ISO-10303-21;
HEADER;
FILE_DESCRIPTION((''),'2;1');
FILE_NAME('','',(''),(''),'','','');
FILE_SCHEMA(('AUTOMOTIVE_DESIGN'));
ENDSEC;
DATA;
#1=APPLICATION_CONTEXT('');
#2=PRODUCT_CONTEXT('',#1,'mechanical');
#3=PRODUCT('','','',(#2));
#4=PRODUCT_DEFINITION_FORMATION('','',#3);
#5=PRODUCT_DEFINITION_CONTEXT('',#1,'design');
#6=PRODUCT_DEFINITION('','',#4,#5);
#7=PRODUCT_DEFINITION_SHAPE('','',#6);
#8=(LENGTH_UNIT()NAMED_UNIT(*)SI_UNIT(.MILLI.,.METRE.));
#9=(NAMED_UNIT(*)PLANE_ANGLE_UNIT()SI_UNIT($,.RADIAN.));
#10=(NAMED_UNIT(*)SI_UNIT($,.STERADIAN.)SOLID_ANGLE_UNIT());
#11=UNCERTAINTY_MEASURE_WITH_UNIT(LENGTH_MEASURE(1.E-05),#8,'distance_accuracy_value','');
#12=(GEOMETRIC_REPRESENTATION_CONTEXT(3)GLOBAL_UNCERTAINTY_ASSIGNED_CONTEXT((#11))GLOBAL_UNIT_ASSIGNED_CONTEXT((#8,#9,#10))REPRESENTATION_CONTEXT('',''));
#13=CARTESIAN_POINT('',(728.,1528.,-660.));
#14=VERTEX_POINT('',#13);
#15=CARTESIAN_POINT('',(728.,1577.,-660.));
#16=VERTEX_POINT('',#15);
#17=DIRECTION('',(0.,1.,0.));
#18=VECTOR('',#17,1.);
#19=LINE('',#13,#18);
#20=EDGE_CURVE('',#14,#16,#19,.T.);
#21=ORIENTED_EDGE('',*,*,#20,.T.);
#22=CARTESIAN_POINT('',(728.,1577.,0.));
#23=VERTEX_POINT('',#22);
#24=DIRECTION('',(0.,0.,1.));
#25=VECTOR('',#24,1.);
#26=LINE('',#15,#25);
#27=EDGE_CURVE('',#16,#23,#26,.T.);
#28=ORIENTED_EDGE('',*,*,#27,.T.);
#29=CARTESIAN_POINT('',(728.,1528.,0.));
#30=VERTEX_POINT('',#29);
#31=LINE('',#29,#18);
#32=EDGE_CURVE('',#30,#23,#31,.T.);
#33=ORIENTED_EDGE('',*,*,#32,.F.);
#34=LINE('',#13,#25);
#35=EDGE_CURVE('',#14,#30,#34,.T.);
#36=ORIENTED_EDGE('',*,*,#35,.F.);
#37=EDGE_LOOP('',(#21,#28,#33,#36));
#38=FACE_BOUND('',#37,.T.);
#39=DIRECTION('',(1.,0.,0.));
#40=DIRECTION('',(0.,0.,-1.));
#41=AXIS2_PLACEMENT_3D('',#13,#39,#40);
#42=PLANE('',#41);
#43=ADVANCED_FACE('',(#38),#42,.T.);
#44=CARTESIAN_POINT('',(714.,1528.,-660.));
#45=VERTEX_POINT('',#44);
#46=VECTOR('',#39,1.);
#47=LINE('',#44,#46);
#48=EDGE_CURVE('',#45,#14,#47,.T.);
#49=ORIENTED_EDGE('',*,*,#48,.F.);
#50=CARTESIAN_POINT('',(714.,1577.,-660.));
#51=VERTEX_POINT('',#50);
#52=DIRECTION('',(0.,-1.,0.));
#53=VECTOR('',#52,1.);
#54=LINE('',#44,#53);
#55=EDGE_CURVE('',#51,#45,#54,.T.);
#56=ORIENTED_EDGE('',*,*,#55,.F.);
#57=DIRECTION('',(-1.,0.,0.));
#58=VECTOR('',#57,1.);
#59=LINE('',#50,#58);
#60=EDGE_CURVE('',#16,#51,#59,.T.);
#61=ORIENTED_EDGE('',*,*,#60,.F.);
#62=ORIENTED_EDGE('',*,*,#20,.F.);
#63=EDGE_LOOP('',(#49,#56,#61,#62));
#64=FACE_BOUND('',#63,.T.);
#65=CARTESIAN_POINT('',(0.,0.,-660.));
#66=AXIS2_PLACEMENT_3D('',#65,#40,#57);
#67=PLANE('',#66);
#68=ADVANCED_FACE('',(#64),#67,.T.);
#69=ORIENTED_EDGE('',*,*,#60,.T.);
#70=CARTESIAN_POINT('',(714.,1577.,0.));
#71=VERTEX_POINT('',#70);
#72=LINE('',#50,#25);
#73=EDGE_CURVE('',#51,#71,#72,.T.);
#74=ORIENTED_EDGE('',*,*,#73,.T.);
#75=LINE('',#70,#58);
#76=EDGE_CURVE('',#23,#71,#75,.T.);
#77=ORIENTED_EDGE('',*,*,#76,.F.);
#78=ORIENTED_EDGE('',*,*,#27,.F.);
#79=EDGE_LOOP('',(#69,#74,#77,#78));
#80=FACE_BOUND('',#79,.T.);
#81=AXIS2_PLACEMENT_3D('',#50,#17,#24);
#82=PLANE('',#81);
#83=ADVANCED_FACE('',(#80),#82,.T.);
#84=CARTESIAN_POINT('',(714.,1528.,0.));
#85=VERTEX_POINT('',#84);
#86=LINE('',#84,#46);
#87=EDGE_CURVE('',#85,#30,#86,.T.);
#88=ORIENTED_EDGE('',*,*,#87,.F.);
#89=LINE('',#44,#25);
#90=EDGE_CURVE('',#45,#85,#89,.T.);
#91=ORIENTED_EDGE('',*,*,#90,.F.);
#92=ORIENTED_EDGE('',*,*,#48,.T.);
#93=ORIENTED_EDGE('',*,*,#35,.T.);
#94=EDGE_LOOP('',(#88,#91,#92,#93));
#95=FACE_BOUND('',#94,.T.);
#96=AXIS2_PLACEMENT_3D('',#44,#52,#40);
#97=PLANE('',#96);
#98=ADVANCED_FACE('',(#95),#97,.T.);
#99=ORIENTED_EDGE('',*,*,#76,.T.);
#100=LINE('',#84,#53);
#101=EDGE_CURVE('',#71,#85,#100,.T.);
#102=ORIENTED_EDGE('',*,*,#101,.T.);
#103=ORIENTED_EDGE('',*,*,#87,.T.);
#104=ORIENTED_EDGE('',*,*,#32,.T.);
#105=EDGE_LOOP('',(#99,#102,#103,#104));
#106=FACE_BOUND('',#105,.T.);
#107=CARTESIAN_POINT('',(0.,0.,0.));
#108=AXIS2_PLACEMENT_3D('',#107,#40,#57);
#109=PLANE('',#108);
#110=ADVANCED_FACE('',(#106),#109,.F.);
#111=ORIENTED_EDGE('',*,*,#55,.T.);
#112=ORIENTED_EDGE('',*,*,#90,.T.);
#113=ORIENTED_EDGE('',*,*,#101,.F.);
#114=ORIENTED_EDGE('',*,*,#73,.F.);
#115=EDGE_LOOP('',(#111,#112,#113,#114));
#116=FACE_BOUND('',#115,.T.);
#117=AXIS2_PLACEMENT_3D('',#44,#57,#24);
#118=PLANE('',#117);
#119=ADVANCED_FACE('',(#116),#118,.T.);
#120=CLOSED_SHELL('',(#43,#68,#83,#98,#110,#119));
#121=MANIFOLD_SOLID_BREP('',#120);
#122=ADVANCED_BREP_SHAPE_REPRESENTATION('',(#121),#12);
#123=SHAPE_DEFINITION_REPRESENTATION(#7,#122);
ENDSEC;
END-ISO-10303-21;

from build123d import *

# Parameters (mm, degrees)
SKETCH1_W                       = 14
SKETCH1_H                       = 49
DET2_RAY_DIS_PROFIL_SOL_1_DEPTH = 660


with BuildPart() as part:
    # Sketch1 → DET2_ray_dis_profil_sol_1 (new body)
    with BuildSketch(Plane.XY):
        with Locations((721, 1552.5)):
            Rectangle(SKETCH1_W, SKETCH1_H)
    extrude(amount=-DET2_RAY_DIS_PROFIL_SOL_1_DEPTH)


solid = part.part
